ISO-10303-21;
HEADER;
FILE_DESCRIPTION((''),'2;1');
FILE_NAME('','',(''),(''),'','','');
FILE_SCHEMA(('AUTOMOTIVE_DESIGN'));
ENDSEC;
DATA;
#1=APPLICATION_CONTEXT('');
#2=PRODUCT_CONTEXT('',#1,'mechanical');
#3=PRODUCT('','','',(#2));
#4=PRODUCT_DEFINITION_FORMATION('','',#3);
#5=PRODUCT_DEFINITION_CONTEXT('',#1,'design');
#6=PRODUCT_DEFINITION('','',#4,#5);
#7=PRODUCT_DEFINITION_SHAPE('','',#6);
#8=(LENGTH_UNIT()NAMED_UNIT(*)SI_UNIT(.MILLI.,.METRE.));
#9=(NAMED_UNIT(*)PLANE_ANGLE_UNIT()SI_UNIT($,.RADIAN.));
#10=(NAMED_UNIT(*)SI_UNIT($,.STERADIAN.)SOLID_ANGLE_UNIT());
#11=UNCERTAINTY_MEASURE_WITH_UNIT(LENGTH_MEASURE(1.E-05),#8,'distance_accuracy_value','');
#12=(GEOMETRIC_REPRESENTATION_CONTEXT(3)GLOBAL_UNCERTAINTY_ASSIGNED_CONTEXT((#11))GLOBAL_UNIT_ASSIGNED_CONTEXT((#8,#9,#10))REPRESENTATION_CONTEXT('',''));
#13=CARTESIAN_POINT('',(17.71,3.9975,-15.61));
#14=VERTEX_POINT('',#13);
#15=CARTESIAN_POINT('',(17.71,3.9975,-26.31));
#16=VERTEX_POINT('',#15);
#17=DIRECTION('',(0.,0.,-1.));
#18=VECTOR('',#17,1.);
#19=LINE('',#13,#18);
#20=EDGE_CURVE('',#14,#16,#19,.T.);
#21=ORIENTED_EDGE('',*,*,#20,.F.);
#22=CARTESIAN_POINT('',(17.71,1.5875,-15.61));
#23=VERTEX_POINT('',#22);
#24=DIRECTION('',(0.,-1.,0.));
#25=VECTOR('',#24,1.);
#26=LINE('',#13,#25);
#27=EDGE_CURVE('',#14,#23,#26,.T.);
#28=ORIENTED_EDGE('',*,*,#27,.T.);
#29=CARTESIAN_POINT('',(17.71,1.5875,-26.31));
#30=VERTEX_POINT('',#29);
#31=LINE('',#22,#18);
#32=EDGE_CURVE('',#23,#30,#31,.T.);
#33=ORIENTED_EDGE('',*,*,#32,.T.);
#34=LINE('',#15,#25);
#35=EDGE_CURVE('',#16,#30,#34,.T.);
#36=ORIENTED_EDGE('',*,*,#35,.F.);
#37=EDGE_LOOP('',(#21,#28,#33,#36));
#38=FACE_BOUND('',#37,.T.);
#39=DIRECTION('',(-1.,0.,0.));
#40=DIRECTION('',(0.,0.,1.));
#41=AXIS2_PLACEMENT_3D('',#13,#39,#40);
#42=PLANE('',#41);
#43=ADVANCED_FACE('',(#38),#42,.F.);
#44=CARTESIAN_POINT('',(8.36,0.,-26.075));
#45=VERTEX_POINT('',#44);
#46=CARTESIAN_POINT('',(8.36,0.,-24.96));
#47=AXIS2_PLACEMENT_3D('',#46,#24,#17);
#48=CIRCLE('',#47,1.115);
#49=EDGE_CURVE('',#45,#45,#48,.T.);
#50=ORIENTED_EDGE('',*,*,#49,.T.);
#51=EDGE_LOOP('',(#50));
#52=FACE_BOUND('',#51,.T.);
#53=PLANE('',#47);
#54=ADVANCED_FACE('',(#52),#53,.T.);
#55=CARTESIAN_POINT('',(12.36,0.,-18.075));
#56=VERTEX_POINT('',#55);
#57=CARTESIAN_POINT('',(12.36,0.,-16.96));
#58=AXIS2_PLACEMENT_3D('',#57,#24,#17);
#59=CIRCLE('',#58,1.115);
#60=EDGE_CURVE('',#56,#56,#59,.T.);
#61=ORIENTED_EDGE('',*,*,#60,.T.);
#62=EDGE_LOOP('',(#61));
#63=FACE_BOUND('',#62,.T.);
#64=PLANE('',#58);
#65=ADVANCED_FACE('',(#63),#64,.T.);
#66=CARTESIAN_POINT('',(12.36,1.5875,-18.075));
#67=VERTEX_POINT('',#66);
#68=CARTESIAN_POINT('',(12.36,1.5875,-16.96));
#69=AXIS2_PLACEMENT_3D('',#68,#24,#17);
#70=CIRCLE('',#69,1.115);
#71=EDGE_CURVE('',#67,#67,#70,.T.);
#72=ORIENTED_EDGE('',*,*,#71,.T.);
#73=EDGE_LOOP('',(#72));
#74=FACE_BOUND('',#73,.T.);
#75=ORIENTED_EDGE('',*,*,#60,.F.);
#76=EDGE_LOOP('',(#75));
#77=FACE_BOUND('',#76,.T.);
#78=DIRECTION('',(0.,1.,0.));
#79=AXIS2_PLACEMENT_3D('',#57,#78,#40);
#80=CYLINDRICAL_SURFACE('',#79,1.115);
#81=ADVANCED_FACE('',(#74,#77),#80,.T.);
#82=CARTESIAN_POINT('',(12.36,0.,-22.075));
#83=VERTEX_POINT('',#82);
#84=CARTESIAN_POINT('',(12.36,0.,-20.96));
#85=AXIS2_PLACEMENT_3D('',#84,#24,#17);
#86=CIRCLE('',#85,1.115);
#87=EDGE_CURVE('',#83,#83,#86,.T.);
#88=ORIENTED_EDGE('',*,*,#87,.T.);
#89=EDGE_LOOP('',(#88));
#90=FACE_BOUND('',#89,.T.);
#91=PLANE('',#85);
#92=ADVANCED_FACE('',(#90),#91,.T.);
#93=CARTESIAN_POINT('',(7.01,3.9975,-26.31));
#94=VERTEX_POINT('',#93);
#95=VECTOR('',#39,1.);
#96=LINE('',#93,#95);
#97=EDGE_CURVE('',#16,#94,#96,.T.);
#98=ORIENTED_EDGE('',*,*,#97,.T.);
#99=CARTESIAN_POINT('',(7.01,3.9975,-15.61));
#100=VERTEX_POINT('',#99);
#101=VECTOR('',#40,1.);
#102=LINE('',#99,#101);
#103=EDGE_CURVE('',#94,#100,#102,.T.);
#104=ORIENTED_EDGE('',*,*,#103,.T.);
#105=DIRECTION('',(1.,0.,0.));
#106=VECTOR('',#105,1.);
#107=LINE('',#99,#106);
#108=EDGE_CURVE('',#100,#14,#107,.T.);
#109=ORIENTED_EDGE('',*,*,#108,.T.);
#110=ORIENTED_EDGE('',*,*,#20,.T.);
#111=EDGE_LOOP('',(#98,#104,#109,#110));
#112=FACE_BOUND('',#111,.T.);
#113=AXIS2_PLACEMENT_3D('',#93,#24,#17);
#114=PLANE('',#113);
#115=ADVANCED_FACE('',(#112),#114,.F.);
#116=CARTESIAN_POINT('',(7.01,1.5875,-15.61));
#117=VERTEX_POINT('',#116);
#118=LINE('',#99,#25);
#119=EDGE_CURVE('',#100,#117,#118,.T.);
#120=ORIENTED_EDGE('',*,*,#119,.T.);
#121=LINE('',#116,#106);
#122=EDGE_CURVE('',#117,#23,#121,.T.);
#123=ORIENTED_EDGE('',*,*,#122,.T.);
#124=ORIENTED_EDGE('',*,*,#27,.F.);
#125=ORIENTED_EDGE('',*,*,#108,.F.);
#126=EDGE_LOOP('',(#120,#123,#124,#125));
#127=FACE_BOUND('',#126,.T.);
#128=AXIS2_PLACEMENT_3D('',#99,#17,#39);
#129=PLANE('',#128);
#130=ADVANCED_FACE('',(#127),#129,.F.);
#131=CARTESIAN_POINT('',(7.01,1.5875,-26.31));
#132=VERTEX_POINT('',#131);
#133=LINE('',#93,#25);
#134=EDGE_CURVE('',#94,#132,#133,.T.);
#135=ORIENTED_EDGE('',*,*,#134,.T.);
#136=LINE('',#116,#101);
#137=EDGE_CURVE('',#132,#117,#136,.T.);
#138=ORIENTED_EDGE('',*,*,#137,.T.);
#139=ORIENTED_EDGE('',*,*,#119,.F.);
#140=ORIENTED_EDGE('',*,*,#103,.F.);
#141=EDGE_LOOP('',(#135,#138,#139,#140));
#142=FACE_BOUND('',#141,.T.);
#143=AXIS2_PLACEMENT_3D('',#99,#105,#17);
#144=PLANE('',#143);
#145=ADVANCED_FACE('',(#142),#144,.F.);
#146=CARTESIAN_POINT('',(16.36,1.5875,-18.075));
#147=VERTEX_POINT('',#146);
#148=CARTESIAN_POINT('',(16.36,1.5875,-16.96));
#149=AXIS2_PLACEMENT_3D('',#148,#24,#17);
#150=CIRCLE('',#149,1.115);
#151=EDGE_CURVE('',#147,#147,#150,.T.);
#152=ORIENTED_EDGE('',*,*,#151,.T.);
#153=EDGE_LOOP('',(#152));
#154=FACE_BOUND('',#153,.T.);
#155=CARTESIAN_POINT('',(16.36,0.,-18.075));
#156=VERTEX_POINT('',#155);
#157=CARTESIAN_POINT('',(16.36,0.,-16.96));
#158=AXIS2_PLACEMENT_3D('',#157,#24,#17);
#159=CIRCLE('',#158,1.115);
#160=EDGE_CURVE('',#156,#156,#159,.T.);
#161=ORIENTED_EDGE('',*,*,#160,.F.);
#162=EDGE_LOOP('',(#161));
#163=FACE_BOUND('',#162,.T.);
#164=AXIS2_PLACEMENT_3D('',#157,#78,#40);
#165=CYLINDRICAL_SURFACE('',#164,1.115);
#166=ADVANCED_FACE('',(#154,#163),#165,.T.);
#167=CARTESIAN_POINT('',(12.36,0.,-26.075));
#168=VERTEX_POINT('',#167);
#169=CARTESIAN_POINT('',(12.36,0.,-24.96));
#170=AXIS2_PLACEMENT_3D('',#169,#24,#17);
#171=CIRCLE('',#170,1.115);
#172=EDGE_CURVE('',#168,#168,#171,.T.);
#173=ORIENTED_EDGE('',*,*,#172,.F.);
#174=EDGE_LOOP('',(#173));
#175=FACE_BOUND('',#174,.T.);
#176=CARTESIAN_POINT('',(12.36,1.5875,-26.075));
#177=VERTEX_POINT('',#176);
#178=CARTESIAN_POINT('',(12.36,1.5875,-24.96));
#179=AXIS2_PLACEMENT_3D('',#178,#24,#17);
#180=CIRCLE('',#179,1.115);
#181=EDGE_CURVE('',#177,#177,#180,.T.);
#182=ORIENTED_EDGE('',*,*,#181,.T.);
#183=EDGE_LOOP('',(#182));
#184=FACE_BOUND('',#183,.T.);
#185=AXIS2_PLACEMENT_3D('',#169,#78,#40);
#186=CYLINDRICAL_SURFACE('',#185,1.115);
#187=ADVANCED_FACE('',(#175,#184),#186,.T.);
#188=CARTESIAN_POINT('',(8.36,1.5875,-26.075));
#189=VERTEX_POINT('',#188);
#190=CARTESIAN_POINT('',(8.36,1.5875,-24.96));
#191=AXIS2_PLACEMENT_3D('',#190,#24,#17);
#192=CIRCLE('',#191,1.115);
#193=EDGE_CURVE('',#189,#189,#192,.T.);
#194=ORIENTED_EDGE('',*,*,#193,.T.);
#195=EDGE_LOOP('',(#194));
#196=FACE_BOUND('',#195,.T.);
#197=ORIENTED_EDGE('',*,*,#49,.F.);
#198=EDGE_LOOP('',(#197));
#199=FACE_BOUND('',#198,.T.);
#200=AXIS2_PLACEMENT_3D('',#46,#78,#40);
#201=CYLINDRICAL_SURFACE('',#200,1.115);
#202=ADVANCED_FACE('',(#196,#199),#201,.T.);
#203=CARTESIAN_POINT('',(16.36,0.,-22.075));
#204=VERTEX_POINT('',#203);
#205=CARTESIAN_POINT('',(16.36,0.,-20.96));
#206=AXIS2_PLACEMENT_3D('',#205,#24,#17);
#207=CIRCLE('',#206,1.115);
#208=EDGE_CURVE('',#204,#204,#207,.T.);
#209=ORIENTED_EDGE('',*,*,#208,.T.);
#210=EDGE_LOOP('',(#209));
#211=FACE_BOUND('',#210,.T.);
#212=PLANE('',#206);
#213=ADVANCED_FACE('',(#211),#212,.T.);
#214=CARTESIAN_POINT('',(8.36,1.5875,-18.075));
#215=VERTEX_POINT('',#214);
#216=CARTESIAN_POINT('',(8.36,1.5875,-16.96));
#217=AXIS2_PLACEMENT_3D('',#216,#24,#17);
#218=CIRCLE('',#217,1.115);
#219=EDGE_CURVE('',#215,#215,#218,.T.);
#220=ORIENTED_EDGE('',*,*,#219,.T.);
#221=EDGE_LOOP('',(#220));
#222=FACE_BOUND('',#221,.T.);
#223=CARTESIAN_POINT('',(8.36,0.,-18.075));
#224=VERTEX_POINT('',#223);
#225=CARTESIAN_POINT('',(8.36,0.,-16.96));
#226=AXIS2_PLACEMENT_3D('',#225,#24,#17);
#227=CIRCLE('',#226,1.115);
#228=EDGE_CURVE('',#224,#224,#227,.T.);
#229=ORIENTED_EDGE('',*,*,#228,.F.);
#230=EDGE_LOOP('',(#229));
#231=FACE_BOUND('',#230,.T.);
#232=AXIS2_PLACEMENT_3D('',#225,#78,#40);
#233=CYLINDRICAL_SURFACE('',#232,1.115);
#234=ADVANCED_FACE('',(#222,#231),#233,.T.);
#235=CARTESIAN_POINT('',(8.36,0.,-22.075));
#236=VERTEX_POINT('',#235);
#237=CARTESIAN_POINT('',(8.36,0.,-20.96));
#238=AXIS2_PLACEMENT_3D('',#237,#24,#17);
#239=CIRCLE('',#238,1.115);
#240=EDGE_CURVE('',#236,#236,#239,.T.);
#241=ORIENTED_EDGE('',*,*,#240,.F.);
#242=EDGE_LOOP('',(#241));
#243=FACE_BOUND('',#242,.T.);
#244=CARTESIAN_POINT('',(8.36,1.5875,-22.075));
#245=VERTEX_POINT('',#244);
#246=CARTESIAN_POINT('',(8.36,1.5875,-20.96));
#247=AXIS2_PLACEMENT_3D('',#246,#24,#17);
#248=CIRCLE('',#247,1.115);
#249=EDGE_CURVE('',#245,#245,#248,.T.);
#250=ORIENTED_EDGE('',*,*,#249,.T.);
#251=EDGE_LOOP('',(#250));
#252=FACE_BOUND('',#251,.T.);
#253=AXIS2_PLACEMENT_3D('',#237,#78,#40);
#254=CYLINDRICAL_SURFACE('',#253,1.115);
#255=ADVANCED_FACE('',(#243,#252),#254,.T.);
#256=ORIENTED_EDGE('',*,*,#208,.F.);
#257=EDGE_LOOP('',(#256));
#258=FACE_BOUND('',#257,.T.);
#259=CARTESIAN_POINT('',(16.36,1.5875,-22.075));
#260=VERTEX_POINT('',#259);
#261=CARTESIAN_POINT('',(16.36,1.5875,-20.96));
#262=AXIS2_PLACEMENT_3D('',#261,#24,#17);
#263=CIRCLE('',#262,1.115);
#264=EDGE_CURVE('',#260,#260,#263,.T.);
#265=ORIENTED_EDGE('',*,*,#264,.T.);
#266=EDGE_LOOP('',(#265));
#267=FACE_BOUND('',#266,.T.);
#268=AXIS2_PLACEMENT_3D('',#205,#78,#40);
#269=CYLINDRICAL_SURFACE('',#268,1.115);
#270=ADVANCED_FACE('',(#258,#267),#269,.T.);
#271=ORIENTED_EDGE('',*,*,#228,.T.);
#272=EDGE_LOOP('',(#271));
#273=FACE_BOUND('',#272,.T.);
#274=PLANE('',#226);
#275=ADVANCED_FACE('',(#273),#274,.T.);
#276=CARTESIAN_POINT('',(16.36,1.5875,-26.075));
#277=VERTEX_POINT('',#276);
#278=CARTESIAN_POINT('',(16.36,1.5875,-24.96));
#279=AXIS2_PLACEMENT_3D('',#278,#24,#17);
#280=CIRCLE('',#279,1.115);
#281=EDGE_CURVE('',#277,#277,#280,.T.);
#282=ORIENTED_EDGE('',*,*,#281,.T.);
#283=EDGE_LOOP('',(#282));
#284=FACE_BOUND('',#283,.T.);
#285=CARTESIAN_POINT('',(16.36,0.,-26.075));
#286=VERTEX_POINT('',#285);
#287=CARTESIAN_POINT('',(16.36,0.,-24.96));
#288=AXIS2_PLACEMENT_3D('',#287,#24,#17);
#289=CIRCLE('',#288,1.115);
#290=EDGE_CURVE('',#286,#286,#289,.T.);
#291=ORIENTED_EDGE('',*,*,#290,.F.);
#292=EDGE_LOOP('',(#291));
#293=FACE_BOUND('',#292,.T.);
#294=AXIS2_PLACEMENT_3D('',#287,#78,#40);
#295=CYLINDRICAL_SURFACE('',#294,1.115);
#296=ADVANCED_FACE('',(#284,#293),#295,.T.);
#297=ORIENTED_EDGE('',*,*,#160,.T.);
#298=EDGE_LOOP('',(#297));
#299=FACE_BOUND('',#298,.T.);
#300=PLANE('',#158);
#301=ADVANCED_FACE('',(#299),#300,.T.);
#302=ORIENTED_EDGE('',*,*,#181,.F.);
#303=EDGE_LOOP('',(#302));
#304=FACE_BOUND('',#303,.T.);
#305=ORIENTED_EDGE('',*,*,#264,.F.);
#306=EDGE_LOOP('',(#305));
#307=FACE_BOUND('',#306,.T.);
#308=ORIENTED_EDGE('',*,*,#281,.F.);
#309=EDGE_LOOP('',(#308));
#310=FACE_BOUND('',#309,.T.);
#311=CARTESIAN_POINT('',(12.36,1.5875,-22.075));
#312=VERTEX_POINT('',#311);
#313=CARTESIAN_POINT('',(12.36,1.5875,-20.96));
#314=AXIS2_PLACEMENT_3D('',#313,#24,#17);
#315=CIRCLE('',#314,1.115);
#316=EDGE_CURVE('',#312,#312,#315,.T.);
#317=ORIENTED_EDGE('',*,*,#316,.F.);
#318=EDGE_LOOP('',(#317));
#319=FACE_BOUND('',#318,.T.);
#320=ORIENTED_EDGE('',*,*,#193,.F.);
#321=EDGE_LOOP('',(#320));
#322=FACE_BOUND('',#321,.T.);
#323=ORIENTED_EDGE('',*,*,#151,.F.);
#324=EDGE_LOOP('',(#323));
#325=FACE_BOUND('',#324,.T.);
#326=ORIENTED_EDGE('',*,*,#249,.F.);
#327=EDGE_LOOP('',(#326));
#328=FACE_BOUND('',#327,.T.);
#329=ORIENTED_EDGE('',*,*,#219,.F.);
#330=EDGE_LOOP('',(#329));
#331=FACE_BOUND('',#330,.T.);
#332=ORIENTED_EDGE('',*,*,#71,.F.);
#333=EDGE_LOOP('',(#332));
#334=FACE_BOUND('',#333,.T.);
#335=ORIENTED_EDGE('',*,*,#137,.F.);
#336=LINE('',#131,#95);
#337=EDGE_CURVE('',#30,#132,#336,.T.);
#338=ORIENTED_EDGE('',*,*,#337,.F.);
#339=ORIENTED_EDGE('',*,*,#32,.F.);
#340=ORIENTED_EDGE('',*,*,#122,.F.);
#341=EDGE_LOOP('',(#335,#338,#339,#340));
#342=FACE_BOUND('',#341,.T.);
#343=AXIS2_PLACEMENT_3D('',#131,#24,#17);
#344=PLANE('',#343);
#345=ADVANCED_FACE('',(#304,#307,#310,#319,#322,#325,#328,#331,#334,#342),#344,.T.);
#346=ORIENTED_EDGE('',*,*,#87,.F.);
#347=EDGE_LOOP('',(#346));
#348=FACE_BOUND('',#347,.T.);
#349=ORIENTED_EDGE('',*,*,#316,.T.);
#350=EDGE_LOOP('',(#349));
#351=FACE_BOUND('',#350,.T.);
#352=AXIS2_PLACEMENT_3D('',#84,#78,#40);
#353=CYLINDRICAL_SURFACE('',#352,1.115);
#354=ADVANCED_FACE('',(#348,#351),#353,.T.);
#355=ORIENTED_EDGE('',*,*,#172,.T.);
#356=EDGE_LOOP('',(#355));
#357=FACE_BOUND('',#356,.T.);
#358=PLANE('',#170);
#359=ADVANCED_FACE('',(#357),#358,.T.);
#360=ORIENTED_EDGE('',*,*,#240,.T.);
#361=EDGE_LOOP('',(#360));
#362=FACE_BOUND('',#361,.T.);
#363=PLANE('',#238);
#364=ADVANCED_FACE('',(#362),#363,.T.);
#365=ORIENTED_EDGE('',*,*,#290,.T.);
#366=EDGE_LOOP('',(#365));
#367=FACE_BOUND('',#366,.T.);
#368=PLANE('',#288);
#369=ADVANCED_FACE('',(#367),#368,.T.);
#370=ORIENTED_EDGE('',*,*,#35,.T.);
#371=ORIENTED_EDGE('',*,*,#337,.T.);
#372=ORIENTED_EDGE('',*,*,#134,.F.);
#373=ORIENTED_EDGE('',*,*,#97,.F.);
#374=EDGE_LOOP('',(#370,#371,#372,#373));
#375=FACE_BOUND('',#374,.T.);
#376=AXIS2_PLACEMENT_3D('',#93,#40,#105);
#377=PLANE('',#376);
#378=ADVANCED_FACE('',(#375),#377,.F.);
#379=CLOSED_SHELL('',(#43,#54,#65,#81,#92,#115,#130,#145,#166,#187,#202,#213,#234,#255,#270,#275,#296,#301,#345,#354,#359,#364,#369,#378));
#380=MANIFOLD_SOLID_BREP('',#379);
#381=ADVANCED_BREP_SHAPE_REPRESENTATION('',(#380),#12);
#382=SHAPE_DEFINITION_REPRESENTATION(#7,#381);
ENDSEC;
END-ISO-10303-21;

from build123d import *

# Parameters (mm, degrees)
SKETCH3_W           = 10.7
SKETCH3_H           = 10.7
BOSS_EXTRUDE2_DEPTH = 2.41
SKETCH5_R           = 1.115
BOSS_EXTRUDE3_DEPTH = 1.5875


with BuildPart() as part:
    # Sketch3 → Boss-Extrude2 (new body)
    with BuildSketch(Plane(origin=(0, 1.5875, 0), x_dir=(-1, 0, 0), z_dir=(0, 1, 0))):
        with Locations((-12.36, -20.96)):
            Rectangle(SKETCH3_W, SKETCH3_H)
    extrude(amount=BOSS_EXTRUDE2_DEPTH)

    # Sketch5 → Boss-Extrude3 (add)
    with BuildSketch(Plane.XZ.offset(-1.5875)):
        with Locations((16.36, -24.96)):
            Circle(SKETCH5_R)
        with Locations((12.36, -24.96)):
            Circle(SKETCH5_R)
        with Locations((8.36, -24.96)):
            Circle(SKETCH5_R)
        with Locations((16.36, -20.96)):
            Circle(SKETCH5_R)
        with Locations((12.36, -20.96)):
            Circle(SKETCH5_R)
        with Locations((8.36, -20.96)):
            Circle(SKETCH5_R)
        with Locations((16.36, -16.96)):
            Circle(SKETCH5_R)
        with Locations((12.36, -16.96)):
            Circle(SKETCH5_R)
        with Locations((8.36, -16.96)):
            Circle(SKETCH5_R)
    extrude(amount=BOSS_EXTRUDE3_DEPTH)


solid = part.part
